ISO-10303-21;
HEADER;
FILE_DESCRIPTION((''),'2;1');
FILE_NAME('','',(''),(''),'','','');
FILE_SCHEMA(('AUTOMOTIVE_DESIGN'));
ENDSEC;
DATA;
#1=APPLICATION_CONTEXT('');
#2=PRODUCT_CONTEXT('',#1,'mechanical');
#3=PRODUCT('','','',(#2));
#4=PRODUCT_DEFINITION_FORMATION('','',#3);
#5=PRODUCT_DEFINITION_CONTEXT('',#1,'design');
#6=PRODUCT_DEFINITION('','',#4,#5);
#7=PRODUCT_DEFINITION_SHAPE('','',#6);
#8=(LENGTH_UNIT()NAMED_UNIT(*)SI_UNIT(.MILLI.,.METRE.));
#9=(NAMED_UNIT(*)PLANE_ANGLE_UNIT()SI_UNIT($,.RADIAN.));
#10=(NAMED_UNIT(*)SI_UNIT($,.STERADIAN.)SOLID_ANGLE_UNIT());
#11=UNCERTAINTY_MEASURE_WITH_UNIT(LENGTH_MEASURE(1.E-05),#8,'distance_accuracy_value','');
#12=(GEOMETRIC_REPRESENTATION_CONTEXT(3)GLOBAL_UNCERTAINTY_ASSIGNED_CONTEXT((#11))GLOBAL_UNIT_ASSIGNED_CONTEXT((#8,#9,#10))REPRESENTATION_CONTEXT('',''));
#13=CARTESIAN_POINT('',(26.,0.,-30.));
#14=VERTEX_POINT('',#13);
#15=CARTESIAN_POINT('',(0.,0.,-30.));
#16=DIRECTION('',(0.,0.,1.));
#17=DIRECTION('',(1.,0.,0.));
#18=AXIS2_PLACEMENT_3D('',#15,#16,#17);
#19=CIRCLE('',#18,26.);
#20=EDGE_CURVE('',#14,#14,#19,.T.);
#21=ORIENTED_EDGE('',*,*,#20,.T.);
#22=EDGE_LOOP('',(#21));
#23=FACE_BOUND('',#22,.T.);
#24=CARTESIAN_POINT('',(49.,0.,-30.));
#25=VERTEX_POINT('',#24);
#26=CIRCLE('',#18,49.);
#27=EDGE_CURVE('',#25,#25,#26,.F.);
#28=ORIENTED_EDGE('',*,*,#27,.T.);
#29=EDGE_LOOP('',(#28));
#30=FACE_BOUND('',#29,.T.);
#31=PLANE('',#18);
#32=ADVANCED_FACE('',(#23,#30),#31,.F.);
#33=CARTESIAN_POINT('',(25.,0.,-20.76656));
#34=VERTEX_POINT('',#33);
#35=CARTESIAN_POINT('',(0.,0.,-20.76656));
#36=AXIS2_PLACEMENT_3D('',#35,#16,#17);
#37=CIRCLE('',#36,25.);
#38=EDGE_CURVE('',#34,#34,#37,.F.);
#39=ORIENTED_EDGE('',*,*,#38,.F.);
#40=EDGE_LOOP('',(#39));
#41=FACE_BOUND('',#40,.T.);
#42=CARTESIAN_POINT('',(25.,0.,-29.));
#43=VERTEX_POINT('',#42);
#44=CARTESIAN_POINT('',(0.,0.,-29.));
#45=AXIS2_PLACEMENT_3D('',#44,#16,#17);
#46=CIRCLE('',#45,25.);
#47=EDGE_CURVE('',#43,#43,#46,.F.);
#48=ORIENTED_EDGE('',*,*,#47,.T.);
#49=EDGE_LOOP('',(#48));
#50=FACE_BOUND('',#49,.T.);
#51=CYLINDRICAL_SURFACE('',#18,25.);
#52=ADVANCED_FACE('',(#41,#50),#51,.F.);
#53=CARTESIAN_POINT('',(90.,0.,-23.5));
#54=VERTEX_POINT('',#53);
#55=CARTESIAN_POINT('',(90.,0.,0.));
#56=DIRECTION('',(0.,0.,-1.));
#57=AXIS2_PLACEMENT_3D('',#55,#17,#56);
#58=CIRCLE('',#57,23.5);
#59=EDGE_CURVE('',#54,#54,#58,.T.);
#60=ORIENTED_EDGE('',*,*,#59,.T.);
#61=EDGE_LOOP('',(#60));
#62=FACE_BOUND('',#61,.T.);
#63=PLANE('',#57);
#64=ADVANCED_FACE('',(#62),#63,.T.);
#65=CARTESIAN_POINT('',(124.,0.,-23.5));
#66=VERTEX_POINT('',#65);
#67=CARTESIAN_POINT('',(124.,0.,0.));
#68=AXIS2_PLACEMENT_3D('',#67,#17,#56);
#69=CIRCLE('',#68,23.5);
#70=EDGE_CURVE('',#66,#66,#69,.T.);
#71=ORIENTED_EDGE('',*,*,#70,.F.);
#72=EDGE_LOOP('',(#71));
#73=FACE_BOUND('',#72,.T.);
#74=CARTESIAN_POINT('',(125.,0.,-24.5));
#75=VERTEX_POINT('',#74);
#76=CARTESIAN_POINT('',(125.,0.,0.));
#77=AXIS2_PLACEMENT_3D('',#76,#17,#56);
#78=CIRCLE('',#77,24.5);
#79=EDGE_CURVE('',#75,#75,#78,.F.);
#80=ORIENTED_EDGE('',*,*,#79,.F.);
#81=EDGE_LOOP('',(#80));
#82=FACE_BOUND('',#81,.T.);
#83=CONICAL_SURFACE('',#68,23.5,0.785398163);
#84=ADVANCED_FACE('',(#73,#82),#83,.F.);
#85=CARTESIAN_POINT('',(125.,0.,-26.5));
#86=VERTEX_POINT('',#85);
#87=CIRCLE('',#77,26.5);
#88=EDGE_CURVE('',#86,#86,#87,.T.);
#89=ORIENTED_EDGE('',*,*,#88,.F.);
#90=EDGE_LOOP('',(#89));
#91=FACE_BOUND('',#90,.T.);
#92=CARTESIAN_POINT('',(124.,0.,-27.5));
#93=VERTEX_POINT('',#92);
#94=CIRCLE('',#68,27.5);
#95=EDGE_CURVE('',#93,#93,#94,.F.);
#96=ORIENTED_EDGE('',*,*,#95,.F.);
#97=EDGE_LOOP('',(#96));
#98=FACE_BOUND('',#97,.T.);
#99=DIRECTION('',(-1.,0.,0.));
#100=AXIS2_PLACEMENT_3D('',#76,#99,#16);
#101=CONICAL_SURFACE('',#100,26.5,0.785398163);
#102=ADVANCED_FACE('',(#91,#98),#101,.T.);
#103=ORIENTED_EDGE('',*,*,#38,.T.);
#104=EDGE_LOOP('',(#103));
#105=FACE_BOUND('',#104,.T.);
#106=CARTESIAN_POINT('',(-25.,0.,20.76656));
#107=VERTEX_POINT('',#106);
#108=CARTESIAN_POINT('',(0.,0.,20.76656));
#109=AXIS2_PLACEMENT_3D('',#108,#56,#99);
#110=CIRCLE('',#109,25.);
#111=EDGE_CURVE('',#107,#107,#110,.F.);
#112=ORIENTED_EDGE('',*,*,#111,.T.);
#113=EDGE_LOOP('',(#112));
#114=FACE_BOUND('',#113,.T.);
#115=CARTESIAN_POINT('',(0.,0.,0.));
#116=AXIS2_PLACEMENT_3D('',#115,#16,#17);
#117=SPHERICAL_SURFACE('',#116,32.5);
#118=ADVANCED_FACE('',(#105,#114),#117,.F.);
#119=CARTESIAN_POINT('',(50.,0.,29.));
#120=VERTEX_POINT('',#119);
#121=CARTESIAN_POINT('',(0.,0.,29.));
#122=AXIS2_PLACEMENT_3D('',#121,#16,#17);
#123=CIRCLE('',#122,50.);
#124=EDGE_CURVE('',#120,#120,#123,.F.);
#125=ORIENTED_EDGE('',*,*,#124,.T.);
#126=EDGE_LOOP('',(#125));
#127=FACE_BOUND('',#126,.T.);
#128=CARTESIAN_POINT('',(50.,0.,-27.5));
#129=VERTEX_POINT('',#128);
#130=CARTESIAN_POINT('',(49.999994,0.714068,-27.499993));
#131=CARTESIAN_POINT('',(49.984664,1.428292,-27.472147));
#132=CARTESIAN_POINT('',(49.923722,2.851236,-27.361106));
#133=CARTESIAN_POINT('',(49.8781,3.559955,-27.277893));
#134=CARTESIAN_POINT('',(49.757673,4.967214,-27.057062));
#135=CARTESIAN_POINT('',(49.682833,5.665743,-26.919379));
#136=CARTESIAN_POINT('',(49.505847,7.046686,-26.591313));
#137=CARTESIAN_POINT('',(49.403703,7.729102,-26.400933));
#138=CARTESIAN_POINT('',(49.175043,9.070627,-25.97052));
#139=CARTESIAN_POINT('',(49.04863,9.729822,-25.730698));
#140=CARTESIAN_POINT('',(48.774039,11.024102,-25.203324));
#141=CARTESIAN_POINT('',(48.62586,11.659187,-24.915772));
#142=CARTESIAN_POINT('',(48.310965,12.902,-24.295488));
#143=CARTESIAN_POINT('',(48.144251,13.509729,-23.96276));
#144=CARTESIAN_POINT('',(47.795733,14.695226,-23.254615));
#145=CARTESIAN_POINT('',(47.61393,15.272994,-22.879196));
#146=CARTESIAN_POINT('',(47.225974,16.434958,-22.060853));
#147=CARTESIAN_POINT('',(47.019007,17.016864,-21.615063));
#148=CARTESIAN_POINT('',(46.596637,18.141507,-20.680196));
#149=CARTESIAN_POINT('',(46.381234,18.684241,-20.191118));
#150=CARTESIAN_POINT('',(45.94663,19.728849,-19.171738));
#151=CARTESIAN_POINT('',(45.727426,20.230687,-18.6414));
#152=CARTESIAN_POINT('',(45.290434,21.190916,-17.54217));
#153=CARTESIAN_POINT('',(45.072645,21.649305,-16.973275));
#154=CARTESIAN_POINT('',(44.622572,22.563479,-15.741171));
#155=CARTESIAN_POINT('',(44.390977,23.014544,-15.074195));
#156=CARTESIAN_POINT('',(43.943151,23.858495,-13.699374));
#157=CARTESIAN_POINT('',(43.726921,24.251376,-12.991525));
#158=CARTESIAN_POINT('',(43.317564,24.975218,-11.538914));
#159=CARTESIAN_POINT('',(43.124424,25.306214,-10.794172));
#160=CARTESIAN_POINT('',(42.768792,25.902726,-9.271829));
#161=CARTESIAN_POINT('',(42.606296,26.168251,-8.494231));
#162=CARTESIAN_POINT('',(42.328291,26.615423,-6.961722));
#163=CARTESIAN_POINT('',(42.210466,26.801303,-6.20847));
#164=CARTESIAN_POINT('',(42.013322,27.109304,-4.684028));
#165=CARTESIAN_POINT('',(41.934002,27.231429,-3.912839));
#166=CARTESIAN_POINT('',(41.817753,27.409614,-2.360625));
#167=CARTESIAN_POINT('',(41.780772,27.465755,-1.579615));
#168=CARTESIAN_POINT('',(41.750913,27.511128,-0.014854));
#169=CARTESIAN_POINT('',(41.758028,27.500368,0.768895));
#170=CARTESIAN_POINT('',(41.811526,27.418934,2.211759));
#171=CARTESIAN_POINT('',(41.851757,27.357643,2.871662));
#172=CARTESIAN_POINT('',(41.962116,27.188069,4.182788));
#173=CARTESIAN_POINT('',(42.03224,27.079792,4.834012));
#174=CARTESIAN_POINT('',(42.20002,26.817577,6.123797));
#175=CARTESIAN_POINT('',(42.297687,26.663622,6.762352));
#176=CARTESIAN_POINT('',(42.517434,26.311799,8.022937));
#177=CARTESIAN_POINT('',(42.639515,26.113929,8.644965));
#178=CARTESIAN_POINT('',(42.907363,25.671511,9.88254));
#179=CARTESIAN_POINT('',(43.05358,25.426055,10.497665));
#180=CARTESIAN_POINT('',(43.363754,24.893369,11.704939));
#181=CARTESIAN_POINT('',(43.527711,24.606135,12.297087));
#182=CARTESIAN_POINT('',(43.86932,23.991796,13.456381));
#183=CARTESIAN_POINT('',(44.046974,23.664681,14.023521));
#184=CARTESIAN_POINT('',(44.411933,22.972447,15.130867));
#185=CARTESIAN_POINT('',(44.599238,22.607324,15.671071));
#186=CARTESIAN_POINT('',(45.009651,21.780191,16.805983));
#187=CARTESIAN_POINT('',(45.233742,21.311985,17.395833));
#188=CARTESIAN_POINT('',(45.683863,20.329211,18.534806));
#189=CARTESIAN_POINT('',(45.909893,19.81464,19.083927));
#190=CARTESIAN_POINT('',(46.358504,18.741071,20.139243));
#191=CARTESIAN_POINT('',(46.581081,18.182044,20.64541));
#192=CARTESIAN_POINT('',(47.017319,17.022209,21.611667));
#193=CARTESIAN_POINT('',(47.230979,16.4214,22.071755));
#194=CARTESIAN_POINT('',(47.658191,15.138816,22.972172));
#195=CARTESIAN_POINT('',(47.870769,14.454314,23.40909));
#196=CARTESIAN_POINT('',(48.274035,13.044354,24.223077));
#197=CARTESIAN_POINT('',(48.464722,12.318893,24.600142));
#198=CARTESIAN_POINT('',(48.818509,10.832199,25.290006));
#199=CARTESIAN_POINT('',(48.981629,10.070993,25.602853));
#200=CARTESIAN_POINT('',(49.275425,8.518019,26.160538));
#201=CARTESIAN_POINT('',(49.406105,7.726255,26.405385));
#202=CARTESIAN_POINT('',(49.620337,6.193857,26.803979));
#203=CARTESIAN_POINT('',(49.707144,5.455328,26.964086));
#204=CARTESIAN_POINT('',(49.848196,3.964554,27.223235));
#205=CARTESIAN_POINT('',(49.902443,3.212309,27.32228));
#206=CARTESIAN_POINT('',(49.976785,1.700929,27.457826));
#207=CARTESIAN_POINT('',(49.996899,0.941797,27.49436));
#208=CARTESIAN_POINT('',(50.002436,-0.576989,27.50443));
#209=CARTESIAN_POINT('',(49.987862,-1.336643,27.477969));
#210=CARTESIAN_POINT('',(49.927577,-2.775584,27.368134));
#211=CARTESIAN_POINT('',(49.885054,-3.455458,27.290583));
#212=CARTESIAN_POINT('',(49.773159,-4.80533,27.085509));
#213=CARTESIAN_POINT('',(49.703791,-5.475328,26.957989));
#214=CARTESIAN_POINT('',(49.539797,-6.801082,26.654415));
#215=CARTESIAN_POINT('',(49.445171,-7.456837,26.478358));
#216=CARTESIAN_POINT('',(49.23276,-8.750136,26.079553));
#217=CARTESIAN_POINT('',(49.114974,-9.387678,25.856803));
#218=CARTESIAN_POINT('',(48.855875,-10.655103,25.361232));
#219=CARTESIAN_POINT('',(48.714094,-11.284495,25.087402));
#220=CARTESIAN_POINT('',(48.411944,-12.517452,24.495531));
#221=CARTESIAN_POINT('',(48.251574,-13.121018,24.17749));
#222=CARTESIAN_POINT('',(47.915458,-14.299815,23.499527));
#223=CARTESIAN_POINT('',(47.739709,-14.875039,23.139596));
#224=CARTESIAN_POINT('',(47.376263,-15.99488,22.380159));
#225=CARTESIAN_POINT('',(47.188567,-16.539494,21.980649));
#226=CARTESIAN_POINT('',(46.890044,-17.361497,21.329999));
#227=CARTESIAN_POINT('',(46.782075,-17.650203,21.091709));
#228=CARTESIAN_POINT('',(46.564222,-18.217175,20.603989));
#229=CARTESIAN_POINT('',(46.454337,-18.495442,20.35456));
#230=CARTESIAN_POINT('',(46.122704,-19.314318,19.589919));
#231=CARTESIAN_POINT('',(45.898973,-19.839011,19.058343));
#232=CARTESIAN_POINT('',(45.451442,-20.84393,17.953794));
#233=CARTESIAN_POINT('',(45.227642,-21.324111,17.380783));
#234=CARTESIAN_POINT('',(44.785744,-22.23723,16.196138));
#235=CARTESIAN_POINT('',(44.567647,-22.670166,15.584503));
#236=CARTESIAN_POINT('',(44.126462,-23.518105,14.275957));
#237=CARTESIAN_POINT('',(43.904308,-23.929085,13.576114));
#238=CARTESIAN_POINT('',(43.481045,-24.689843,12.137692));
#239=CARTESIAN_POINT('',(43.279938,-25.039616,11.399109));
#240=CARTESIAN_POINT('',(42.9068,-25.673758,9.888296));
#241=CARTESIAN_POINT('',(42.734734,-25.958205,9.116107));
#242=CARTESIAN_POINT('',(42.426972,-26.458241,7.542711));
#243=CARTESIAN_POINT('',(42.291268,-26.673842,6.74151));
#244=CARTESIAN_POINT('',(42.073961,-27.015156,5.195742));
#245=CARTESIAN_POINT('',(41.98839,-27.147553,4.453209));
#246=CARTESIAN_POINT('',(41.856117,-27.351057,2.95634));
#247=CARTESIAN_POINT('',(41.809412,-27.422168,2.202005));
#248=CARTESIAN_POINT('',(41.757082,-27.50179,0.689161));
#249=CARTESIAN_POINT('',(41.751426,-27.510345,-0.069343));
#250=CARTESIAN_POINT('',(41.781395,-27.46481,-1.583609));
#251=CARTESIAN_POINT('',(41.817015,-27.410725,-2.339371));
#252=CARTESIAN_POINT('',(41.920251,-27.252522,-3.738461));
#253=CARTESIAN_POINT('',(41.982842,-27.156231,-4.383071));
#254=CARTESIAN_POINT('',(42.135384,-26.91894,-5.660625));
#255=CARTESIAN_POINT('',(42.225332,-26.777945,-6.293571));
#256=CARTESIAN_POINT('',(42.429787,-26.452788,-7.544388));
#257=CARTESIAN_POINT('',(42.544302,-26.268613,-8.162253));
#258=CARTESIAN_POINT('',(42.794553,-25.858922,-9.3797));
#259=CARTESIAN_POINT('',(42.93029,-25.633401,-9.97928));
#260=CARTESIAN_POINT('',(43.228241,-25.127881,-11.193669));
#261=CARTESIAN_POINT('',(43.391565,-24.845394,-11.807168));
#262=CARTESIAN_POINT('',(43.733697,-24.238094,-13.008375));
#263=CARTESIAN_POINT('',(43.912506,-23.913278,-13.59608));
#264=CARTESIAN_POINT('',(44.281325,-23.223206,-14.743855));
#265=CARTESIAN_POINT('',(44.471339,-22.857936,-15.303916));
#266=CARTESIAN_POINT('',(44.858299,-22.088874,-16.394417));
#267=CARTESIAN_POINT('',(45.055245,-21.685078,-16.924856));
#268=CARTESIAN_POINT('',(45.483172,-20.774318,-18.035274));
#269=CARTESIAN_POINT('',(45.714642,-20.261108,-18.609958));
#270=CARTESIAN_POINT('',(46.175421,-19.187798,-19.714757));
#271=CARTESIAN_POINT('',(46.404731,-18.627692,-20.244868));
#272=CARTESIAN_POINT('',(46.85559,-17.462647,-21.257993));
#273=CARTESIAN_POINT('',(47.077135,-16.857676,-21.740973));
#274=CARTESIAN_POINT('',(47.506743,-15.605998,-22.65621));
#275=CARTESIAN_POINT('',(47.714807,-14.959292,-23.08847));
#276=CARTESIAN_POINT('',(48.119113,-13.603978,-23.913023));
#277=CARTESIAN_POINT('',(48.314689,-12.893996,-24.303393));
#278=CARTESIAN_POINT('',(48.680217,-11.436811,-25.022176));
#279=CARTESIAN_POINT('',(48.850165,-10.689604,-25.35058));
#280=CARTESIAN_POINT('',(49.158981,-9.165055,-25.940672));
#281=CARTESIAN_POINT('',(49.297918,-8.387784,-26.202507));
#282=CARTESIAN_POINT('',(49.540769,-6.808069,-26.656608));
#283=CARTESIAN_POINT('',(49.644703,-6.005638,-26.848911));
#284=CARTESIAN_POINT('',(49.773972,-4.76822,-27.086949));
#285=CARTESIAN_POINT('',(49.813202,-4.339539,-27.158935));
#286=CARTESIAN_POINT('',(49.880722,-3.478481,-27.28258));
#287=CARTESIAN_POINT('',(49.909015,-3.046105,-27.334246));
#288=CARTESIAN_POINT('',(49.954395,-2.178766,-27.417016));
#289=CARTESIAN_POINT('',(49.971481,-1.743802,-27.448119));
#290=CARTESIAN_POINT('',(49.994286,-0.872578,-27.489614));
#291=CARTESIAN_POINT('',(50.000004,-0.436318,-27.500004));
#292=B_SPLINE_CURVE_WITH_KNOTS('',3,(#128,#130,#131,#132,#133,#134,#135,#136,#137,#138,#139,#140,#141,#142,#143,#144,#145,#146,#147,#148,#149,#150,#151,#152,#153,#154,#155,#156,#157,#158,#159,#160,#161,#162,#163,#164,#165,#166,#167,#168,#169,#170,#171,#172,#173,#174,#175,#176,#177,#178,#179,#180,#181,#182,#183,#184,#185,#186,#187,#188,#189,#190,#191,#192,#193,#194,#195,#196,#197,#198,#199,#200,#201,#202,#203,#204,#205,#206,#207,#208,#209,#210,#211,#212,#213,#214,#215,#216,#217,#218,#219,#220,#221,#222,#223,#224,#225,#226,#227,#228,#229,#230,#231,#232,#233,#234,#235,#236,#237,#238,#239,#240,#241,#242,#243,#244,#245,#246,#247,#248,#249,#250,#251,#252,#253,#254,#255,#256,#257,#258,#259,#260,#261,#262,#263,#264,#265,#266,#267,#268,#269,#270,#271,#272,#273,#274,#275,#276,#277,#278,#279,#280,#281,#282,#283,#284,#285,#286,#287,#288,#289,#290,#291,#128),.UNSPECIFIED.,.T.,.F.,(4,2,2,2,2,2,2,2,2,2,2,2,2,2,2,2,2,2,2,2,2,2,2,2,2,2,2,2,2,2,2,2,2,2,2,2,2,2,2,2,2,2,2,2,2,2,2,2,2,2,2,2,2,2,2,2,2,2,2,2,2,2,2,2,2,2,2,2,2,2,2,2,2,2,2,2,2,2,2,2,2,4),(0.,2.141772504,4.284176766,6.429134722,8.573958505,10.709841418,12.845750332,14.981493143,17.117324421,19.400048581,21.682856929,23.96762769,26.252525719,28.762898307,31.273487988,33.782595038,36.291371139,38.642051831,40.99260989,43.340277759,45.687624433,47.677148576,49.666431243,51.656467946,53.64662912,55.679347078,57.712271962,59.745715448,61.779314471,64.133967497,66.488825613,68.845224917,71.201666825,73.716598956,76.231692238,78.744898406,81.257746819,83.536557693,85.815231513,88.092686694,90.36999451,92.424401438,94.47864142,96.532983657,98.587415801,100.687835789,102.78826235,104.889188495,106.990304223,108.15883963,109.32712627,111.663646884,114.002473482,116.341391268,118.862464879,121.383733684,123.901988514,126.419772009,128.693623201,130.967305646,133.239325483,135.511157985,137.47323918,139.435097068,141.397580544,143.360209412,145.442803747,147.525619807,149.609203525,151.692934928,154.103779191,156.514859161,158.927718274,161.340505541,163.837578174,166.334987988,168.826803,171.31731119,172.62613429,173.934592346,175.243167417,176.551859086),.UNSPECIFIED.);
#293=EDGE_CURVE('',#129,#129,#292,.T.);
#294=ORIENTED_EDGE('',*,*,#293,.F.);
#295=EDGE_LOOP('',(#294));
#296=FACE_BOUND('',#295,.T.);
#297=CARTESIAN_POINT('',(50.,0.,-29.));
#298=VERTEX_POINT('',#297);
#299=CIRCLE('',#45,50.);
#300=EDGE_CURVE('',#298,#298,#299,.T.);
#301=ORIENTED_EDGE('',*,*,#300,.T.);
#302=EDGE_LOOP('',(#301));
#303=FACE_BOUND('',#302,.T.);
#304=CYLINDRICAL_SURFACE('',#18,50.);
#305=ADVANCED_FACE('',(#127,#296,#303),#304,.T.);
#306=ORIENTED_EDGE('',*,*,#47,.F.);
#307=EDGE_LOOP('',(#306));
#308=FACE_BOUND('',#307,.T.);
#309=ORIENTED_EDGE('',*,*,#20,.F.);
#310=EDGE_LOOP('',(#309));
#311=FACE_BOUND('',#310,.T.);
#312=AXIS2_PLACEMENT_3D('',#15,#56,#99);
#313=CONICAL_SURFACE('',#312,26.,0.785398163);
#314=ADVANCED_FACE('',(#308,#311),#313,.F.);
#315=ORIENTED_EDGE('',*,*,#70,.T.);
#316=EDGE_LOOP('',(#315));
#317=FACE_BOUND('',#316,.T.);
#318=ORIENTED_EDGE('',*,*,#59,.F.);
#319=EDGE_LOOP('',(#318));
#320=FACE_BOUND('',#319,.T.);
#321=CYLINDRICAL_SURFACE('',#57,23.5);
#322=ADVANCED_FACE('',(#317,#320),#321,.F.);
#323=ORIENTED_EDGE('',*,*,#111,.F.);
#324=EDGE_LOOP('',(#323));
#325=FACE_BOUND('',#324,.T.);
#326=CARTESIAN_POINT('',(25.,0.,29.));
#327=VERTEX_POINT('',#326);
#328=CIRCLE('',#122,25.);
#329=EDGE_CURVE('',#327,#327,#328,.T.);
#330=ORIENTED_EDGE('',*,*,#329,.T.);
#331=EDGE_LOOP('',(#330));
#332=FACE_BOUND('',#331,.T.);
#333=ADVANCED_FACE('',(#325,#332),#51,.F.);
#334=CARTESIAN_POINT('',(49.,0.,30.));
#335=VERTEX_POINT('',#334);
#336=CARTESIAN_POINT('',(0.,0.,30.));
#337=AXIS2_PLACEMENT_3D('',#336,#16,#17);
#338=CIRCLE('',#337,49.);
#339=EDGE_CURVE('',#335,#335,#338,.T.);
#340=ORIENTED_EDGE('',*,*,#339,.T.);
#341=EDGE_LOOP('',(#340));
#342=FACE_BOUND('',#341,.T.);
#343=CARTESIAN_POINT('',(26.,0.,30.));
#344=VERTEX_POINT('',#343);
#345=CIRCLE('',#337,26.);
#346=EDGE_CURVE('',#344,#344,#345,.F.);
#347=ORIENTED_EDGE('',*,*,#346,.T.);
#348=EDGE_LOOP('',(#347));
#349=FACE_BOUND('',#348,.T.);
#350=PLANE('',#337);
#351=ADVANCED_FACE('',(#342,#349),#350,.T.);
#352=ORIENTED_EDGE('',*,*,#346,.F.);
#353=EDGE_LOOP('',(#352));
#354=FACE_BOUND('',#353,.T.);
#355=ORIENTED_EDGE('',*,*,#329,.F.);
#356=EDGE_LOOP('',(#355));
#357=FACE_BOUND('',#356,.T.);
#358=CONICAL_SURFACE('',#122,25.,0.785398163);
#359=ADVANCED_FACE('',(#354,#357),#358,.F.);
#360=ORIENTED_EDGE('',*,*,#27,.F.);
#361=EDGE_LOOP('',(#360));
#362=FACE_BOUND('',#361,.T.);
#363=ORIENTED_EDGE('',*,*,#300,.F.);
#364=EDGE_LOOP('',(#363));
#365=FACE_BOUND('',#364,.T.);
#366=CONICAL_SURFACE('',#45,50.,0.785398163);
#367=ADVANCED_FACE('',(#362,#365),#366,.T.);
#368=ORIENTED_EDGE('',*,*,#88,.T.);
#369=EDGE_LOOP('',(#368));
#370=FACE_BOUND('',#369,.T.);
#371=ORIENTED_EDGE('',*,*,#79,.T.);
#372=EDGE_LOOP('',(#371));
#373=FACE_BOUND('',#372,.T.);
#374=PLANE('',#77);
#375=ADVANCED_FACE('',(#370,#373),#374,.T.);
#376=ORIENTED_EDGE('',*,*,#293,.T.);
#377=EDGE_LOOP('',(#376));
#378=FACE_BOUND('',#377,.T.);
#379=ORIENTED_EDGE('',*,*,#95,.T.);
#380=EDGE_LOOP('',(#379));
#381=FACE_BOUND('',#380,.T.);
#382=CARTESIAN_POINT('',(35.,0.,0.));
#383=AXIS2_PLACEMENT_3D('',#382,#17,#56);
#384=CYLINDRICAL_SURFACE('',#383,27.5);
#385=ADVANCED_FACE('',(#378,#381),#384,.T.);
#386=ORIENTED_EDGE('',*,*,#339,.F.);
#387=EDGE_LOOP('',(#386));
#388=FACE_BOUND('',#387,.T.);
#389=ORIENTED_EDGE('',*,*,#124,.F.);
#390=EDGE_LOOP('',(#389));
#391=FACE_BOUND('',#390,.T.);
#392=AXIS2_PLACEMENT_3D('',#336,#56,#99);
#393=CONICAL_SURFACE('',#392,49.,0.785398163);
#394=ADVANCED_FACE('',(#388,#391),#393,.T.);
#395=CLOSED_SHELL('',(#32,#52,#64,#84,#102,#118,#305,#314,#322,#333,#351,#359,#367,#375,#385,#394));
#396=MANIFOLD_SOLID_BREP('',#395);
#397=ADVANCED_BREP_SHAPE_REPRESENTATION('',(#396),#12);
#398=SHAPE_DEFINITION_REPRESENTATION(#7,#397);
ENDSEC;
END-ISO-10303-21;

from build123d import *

# Parameters (mm, degrees)
BOSS_EXTRUDE1_DEPTH      = 30
BOSS_EXTRUDE1_DEPTH_BACK = 30
SKETCH3_R                = 50
SKETCH3_R_2              = 25
SKETCH5_R                = 27.5
BOSS_EXTRUDE2_DEPTH      = 90
SKETCH6_R                = 23.5
CUT_EXTRUDE1_DEPTH       = 35
CHAMFER1_SIZE            = 1
CHAMFER3_SIZE            = 1
CHAMFER5_SIZE            = 1
CHAMFER6_SIZE            = 1
CHAMFER7_SIZE            = 1


with BuildPart() as part:
    # Sketch3 → Boss-Extrude1 (new, two sides: drawn at the far end of the back side and taken through both)
    with BuildSketch(Plane.XY.offset(-BOSS_EXTRUDE1_DEPTH_BACK)):
        Circle(SKETCH3_R)
        Circle(SKETCH3_R_2, mode=Mode.SUBTRACT)
    extrude(amount=BOSS_EXTRUDE1_DEPTH + BOSS_EXTRUDE1_DEPTH_BACK)

    # Sketch4 → Cut-Revolve5 (revolve, cut)
    with BuildSketch(Plane(origin=(0, 0, 0), x_dir=(0, 0, -1), z_dir=(1, 0, 0))):
        with BuildLine():
            Line((0, 32.5), (0, -32.5))
            ThreePointArc((0, -32.5), (32.5, 0), (0, 32.5))
        make_face()
    revolve(axis=Axis((0, 32.5, 0), (0, -1, 0)), mode=Mode.SUBTRACT)

    # Sketch5 → Boss-Extrude2 (add)
    with BuildSketch(Plane(origin=(125, 0, 0), x_dir=(0, 0, -1), z_dir=(1, 0, 0))):
        Circle(SKETCH5_R)
    extrude(amount=-BOSS_EXTRUDE2_DEPTH)

    # Sketch6 → Cut-Extrude1 (cut)
    with BuildSketch(Plane(origin=(125, 0, 0), x_dir=(0, 0, -1), z_dir=(1, 0, 0))):
        Circle(SKETCH6_R)
    extrude(amount=-CUT_EXTRUDE1_DEPTH, mode=Mode.SUBTRACT)

    # Chamfer1
    chamfer1_edges = [part.edges().sort_by_distance(p)[0] for p in [
        (-50, 0, -30),
    ]]
    chamfer(chamfer1_edges, length=CHAMFER1_SIZE)

    # Chamfer3
    chamfer3_edges = [part.edges().sort_by_distance(p)[0] for p in [
        (-25, 0, -30),
    ]]
    chamfer(chamfer3_edges, length=CHAMFER3_SIZE)

    # Chamfer5
    chamfer5_edges = [part.edges().sort_by_distance(p)[0] for p in [
        (-50, 0, 30),
    ]]
    chamfer(chamfer5_edges, length=CHAMFER5_SIZE)

    # Chamfer6
    chamfer6_edges = [part.edges().sort_by_distance(p)[0] for p in [
        (-25, 0, 30),
    ]]
    chamfer(chamfer6_edges, length=CHAMFER6_SIZE)

    # Chamfer7
    chamfer7_edges = [part.edges().sort_by_distance(p)[0] for p in [
        (125, 0, 23.5),
        (125, 0, 27.5),
    ]]
    chamfer(chamfer7_edges, length=CHAMFER7_SIZE)


solid = part.part
